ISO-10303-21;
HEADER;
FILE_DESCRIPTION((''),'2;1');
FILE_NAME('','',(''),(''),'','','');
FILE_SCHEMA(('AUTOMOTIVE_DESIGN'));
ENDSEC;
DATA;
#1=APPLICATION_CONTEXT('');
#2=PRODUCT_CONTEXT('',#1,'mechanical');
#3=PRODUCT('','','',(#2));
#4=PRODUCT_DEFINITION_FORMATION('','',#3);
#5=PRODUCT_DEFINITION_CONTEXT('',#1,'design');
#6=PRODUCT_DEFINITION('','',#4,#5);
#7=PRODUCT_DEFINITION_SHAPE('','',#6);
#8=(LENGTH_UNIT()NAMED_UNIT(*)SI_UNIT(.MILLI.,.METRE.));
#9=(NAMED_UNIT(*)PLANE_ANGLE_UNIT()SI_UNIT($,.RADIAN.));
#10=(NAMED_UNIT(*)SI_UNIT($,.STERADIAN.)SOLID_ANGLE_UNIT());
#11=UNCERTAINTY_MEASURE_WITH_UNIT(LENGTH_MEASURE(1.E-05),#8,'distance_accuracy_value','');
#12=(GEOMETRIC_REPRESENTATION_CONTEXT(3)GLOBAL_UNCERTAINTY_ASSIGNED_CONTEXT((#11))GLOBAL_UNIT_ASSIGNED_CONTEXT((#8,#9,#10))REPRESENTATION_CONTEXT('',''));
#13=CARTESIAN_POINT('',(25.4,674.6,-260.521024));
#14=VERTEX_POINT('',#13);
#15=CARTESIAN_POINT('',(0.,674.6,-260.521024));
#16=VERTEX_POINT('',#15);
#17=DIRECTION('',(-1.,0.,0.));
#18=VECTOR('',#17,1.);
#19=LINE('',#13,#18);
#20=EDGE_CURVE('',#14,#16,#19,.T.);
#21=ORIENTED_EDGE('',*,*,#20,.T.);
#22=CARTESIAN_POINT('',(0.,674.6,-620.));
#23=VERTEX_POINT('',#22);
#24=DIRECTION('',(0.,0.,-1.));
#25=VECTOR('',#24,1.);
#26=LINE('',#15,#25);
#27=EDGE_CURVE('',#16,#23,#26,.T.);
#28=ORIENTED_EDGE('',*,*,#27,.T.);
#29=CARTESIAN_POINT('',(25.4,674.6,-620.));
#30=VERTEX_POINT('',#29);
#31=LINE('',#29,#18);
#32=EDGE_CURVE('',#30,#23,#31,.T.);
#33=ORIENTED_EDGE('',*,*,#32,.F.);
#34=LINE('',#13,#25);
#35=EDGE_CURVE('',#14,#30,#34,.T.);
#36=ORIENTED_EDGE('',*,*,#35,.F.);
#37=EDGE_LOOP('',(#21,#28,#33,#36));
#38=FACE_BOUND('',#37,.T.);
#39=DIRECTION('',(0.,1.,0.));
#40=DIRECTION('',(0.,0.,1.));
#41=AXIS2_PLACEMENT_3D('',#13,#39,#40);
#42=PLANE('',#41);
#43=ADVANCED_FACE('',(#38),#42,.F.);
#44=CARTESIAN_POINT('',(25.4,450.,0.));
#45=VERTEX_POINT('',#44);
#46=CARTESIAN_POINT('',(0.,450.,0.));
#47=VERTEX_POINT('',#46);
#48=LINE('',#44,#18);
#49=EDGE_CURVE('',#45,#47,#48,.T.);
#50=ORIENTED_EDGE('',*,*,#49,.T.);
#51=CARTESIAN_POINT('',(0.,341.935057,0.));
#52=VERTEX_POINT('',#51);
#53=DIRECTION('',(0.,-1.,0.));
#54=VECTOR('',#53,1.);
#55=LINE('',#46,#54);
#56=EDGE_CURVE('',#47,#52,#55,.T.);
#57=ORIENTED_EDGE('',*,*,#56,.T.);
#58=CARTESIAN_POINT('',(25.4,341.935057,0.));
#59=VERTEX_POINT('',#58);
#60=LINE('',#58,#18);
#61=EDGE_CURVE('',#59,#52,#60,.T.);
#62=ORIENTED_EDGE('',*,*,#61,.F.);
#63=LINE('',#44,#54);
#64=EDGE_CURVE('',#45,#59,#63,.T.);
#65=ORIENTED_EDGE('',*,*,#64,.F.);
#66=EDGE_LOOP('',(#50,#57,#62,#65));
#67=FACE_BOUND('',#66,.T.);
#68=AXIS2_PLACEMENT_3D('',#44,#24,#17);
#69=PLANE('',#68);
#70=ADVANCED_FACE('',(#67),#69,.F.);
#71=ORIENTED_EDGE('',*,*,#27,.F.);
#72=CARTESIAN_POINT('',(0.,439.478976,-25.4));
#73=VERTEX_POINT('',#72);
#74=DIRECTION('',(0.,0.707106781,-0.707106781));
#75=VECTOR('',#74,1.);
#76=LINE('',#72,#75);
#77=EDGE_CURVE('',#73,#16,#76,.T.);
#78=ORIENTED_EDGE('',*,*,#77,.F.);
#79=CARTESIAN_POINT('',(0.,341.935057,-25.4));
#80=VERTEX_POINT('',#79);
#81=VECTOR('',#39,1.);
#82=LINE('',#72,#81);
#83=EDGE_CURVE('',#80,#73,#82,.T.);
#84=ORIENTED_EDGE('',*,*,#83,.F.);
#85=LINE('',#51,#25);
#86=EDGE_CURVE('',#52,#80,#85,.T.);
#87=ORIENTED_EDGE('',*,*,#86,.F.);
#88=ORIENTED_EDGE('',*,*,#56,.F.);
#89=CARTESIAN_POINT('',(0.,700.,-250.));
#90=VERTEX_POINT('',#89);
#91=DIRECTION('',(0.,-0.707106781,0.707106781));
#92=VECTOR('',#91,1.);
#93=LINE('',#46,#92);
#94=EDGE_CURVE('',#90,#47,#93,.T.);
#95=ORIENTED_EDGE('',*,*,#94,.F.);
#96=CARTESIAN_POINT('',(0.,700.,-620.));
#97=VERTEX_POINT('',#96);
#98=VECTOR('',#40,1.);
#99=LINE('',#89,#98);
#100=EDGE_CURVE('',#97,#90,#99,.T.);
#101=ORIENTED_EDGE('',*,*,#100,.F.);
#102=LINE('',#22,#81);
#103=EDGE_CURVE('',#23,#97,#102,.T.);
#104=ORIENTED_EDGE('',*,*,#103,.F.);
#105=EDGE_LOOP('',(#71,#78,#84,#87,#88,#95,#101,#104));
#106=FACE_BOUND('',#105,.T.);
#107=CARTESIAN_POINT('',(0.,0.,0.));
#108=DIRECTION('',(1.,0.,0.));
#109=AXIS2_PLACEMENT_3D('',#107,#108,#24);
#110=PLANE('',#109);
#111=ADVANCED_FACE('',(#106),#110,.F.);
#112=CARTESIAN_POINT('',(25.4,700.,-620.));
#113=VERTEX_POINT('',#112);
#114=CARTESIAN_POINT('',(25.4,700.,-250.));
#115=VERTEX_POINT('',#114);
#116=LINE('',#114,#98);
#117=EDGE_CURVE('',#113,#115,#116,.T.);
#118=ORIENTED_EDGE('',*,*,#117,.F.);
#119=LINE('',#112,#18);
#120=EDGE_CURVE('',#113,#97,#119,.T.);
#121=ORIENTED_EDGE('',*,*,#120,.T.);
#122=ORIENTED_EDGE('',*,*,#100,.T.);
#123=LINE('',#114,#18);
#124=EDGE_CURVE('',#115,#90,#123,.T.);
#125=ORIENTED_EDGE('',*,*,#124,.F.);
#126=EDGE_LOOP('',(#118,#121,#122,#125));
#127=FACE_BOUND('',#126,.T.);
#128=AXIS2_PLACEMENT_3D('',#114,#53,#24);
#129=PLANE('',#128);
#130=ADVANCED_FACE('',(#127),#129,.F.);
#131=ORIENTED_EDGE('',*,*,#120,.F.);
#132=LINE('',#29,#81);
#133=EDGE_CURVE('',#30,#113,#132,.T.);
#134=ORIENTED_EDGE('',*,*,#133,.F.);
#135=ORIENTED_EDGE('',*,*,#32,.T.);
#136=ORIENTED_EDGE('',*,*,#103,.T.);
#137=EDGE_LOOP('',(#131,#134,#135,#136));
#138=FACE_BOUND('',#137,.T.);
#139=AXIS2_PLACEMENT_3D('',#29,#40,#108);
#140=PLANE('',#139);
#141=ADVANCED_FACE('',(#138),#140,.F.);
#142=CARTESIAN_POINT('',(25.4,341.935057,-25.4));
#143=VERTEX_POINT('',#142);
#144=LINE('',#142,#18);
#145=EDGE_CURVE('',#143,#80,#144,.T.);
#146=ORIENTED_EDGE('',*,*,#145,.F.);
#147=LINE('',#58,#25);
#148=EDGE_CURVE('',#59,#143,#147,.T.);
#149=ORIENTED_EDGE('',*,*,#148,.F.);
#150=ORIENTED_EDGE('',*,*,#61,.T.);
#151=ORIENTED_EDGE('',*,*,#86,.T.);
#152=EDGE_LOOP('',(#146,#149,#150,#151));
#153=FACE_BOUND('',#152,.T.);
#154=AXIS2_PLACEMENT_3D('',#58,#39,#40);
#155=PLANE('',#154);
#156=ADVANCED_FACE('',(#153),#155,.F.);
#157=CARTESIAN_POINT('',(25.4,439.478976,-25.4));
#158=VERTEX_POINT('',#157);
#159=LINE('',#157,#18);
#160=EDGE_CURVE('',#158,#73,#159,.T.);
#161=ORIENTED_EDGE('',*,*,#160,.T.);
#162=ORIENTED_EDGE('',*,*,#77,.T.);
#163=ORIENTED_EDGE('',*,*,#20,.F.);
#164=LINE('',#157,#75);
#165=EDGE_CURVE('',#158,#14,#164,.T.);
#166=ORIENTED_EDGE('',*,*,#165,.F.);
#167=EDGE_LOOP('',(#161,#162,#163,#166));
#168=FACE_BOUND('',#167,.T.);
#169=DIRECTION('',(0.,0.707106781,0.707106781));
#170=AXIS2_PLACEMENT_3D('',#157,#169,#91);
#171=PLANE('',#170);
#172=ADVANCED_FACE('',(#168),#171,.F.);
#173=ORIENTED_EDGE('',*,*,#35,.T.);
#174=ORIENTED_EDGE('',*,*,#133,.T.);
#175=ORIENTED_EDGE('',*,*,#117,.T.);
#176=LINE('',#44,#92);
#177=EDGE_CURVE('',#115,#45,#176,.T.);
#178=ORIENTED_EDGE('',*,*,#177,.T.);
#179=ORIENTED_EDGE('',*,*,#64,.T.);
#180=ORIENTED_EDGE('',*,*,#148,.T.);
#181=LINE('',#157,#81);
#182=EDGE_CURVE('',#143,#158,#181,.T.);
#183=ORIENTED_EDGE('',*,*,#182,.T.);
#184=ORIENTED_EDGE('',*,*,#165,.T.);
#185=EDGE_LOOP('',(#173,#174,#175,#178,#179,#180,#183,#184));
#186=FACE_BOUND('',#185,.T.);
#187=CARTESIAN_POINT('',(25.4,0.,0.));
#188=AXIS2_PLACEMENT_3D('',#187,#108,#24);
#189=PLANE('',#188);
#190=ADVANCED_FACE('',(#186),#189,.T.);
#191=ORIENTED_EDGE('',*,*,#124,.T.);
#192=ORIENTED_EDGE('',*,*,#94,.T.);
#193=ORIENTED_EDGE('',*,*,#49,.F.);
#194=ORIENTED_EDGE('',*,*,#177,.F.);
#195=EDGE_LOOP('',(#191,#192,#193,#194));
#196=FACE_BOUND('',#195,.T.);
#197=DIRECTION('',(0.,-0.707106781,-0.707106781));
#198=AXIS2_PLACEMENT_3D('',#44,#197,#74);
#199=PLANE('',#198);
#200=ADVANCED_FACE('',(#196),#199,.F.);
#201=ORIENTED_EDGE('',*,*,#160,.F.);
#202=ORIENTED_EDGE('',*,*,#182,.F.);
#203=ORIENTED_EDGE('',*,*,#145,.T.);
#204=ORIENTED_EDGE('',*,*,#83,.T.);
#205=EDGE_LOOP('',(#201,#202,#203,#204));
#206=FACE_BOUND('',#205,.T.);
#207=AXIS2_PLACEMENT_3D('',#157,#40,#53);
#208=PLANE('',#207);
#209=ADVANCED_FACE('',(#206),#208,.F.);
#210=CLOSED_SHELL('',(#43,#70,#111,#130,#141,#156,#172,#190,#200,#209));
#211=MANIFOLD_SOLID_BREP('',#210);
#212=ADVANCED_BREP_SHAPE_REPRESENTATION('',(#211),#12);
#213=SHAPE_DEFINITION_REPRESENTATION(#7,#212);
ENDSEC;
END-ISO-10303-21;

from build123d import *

# Parameters (mm, degrees)
BOSS_EXTRUDE1_DEPTH = 25.4


with BuildPart() as part:
    # Sketch1 → Boss-Extrude1 (new body)
    with BuildSketch(Plane(origin=(0, 0, 0), x_dir=(0, 0, -1), z_dir=(1, 0, 0))):
        Polygon((0, 450), (250, 700), (620, 700), (620, 674.6), (260.521024484, 674.6), (25.4, 439.478975516), (25.4, 341.93505653), (0, 341.93505653), align=None)
    extrude(amount=BOSS_EXTRUDE1_DEPTH)


solid = part.part
